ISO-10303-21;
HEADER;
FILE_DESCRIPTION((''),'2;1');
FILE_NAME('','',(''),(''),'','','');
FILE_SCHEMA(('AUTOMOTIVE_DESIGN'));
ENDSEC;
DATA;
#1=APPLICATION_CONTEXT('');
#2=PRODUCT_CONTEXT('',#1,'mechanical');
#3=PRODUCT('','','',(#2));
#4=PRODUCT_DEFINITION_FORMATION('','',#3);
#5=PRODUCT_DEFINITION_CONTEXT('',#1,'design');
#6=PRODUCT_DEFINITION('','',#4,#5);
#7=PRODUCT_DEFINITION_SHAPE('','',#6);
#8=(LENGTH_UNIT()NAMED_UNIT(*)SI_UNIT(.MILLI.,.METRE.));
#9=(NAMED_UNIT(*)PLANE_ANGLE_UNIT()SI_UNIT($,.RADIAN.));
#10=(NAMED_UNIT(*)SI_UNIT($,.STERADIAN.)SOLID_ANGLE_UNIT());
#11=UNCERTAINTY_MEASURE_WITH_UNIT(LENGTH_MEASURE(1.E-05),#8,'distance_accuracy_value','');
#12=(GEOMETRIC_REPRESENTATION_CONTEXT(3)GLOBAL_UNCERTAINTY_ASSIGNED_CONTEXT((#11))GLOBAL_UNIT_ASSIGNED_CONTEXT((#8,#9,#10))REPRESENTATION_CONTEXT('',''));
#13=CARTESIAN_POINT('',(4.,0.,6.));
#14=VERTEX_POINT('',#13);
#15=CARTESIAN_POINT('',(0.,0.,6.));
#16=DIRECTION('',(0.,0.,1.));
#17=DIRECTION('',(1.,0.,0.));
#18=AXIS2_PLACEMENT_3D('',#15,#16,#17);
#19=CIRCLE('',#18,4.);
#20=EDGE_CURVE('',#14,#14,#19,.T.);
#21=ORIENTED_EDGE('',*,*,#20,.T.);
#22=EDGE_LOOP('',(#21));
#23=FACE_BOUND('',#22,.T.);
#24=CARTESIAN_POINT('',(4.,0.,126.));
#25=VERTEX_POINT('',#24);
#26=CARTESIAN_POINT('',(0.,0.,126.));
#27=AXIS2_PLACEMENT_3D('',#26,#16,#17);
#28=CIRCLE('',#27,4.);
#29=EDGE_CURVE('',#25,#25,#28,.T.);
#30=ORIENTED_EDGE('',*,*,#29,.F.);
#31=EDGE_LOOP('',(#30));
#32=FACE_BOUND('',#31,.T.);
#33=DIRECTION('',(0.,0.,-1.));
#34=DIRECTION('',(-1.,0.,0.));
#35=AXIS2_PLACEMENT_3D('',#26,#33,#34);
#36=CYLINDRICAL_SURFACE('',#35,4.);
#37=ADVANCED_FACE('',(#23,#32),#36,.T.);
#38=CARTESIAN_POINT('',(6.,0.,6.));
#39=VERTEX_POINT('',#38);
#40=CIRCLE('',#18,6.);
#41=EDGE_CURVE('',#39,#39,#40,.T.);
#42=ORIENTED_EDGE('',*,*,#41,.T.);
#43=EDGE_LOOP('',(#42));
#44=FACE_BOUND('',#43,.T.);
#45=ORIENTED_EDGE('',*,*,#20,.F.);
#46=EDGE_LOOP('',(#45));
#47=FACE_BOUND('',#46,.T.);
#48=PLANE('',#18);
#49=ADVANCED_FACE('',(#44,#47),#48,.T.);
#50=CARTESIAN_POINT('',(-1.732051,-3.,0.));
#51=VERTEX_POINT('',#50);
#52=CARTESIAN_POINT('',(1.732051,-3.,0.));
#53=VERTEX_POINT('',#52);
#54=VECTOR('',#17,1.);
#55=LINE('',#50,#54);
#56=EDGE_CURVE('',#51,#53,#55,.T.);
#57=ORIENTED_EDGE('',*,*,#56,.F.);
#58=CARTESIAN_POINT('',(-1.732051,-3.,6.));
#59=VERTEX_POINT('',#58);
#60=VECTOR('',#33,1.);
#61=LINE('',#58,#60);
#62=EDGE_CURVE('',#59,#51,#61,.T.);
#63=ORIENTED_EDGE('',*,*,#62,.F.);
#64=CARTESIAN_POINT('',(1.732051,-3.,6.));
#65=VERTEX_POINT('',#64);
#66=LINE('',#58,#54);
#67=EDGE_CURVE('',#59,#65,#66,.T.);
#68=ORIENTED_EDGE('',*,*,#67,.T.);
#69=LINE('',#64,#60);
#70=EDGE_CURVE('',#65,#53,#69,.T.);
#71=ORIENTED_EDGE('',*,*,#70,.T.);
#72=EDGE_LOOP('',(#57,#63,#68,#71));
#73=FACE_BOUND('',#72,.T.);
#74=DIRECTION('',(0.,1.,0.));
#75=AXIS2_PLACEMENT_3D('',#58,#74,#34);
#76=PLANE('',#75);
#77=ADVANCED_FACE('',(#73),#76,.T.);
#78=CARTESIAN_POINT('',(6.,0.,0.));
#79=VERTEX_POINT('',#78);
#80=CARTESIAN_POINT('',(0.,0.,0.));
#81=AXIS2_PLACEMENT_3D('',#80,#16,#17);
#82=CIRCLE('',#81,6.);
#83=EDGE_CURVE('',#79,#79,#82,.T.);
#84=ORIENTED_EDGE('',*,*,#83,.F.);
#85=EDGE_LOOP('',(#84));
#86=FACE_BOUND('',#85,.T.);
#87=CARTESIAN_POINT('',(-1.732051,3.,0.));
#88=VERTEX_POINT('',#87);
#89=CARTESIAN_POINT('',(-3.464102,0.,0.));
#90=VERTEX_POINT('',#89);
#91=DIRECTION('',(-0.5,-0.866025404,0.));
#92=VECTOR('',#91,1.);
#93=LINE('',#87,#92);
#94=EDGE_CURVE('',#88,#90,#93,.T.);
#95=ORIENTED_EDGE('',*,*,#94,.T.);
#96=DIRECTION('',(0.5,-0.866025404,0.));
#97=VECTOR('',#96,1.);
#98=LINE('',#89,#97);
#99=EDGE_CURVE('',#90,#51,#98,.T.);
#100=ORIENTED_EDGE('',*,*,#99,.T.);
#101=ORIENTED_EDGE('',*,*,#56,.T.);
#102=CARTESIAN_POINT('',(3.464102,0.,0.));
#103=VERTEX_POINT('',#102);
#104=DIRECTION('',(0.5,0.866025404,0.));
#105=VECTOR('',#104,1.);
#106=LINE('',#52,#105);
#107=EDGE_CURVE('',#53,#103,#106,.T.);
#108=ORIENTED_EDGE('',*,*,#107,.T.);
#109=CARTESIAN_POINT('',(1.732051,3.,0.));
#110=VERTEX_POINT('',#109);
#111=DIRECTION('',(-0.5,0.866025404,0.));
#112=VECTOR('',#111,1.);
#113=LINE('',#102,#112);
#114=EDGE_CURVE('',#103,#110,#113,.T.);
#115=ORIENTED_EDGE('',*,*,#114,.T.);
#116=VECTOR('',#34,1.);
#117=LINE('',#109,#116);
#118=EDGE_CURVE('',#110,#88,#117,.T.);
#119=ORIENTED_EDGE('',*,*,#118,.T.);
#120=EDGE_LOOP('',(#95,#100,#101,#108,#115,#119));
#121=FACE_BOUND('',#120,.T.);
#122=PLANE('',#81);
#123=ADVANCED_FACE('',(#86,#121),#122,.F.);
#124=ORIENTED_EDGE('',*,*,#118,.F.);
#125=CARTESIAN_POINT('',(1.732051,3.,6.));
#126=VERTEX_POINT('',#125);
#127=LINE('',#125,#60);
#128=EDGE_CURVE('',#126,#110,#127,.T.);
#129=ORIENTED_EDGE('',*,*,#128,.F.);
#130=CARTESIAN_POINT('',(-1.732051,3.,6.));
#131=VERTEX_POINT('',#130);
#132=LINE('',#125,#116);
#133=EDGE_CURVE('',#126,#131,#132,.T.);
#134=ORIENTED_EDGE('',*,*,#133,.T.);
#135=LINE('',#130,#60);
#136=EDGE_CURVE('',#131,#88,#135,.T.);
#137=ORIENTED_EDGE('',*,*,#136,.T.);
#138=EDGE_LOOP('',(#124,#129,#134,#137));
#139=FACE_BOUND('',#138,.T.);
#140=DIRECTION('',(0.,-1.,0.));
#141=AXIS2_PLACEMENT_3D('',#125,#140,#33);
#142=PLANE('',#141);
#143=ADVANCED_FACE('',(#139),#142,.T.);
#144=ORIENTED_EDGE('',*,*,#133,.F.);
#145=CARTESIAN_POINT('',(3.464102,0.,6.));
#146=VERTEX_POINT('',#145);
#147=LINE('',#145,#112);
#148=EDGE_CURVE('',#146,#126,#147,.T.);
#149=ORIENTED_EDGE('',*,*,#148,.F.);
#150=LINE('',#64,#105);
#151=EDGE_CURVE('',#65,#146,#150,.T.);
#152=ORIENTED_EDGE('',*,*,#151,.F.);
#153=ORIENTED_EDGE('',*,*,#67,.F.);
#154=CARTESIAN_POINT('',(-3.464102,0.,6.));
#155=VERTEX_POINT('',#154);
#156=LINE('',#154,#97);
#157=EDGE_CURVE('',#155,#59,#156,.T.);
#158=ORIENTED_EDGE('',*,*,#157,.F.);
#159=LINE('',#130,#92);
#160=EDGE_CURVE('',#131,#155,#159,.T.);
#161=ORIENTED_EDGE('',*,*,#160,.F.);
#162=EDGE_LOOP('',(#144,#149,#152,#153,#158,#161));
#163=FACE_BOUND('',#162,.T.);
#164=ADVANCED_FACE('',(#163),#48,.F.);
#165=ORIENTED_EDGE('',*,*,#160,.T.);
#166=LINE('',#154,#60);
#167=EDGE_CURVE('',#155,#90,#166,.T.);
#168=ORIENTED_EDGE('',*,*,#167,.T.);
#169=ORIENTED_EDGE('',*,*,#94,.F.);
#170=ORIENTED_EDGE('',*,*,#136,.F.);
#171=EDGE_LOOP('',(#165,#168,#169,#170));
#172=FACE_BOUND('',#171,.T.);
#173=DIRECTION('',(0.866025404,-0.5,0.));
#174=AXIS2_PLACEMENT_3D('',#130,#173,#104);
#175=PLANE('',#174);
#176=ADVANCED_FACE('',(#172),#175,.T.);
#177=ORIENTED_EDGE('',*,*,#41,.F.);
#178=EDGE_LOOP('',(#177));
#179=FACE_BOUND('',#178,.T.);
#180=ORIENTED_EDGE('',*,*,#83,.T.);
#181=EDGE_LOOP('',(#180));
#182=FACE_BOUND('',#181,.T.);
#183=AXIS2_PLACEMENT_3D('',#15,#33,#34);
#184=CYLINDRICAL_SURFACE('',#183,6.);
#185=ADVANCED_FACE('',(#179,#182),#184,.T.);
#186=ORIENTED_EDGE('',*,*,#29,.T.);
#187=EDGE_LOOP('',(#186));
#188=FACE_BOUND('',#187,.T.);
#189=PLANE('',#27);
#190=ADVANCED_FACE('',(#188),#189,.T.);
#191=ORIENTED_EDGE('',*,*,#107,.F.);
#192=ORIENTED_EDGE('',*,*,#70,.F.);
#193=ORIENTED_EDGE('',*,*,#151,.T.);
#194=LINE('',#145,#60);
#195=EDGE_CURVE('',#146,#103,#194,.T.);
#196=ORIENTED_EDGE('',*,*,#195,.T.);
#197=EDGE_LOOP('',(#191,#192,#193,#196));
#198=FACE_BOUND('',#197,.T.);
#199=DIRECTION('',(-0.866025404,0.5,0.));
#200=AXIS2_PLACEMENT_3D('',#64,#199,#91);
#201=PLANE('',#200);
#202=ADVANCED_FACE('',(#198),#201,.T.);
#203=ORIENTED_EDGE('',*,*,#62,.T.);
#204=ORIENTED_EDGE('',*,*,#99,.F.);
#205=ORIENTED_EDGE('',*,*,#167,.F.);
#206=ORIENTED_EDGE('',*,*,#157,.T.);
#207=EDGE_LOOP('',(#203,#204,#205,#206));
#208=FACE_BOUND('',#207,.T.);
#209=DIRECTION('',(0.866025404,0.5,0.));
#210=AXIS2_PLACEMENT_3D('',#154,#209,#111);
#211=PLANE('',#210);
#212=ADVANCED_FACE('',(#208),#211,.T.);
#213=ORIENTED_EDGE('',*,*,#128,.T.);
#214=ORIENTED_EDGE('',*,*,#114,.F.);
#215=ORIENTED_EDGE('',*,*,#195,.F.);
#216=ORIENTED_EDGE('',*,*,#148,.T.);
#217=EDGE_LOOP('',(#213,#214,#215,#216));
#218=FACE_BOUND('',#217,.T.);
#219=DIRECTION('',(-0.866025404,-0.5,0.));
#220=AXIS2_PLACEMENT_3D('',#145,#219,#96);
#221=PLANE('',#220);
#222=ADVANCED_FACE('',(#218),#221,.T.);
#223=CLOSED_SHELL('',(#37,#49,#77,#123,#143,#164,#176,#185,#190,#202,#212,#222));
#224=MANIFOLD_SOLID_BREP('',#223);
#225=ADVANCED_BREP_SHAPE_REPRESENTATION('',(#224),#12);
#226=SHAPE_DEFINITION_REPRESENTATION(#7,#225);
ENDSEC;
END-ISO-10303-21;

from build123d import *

# Parameters (mm, degrees)
SKETCH_1_R      = 6
EXTRUDE_1_DEPTH = 6
SKETCH_2_R      = 4
EXTRUDE_2_DEPTH = 120


with BuildPart() as part:
    # 草图1 → 凸台-拉伸1 (new body)
    with BuildSketch(Plane.XY):
        Circle(SKETCH_1_R)
        Polygon((3.464101615, 0), (1.732050808, 3), (-1.732050808, 3), (-3.464101615, 0), (-1.732050808, -3), (1.732050808, -3), align=None, mode=Mode.SUBTRACT)
    extrude(amount=EXTRUDE_1_DEPTH)

    # 草图2 → 凸台-拉伸2 (add)
    with BuildSketch(Plane.XY.offset(6)):
        Circle(SKETCH_2_R)
    extrude(amount=EXTRUDE_2_DEPTH)


solid = part.part
